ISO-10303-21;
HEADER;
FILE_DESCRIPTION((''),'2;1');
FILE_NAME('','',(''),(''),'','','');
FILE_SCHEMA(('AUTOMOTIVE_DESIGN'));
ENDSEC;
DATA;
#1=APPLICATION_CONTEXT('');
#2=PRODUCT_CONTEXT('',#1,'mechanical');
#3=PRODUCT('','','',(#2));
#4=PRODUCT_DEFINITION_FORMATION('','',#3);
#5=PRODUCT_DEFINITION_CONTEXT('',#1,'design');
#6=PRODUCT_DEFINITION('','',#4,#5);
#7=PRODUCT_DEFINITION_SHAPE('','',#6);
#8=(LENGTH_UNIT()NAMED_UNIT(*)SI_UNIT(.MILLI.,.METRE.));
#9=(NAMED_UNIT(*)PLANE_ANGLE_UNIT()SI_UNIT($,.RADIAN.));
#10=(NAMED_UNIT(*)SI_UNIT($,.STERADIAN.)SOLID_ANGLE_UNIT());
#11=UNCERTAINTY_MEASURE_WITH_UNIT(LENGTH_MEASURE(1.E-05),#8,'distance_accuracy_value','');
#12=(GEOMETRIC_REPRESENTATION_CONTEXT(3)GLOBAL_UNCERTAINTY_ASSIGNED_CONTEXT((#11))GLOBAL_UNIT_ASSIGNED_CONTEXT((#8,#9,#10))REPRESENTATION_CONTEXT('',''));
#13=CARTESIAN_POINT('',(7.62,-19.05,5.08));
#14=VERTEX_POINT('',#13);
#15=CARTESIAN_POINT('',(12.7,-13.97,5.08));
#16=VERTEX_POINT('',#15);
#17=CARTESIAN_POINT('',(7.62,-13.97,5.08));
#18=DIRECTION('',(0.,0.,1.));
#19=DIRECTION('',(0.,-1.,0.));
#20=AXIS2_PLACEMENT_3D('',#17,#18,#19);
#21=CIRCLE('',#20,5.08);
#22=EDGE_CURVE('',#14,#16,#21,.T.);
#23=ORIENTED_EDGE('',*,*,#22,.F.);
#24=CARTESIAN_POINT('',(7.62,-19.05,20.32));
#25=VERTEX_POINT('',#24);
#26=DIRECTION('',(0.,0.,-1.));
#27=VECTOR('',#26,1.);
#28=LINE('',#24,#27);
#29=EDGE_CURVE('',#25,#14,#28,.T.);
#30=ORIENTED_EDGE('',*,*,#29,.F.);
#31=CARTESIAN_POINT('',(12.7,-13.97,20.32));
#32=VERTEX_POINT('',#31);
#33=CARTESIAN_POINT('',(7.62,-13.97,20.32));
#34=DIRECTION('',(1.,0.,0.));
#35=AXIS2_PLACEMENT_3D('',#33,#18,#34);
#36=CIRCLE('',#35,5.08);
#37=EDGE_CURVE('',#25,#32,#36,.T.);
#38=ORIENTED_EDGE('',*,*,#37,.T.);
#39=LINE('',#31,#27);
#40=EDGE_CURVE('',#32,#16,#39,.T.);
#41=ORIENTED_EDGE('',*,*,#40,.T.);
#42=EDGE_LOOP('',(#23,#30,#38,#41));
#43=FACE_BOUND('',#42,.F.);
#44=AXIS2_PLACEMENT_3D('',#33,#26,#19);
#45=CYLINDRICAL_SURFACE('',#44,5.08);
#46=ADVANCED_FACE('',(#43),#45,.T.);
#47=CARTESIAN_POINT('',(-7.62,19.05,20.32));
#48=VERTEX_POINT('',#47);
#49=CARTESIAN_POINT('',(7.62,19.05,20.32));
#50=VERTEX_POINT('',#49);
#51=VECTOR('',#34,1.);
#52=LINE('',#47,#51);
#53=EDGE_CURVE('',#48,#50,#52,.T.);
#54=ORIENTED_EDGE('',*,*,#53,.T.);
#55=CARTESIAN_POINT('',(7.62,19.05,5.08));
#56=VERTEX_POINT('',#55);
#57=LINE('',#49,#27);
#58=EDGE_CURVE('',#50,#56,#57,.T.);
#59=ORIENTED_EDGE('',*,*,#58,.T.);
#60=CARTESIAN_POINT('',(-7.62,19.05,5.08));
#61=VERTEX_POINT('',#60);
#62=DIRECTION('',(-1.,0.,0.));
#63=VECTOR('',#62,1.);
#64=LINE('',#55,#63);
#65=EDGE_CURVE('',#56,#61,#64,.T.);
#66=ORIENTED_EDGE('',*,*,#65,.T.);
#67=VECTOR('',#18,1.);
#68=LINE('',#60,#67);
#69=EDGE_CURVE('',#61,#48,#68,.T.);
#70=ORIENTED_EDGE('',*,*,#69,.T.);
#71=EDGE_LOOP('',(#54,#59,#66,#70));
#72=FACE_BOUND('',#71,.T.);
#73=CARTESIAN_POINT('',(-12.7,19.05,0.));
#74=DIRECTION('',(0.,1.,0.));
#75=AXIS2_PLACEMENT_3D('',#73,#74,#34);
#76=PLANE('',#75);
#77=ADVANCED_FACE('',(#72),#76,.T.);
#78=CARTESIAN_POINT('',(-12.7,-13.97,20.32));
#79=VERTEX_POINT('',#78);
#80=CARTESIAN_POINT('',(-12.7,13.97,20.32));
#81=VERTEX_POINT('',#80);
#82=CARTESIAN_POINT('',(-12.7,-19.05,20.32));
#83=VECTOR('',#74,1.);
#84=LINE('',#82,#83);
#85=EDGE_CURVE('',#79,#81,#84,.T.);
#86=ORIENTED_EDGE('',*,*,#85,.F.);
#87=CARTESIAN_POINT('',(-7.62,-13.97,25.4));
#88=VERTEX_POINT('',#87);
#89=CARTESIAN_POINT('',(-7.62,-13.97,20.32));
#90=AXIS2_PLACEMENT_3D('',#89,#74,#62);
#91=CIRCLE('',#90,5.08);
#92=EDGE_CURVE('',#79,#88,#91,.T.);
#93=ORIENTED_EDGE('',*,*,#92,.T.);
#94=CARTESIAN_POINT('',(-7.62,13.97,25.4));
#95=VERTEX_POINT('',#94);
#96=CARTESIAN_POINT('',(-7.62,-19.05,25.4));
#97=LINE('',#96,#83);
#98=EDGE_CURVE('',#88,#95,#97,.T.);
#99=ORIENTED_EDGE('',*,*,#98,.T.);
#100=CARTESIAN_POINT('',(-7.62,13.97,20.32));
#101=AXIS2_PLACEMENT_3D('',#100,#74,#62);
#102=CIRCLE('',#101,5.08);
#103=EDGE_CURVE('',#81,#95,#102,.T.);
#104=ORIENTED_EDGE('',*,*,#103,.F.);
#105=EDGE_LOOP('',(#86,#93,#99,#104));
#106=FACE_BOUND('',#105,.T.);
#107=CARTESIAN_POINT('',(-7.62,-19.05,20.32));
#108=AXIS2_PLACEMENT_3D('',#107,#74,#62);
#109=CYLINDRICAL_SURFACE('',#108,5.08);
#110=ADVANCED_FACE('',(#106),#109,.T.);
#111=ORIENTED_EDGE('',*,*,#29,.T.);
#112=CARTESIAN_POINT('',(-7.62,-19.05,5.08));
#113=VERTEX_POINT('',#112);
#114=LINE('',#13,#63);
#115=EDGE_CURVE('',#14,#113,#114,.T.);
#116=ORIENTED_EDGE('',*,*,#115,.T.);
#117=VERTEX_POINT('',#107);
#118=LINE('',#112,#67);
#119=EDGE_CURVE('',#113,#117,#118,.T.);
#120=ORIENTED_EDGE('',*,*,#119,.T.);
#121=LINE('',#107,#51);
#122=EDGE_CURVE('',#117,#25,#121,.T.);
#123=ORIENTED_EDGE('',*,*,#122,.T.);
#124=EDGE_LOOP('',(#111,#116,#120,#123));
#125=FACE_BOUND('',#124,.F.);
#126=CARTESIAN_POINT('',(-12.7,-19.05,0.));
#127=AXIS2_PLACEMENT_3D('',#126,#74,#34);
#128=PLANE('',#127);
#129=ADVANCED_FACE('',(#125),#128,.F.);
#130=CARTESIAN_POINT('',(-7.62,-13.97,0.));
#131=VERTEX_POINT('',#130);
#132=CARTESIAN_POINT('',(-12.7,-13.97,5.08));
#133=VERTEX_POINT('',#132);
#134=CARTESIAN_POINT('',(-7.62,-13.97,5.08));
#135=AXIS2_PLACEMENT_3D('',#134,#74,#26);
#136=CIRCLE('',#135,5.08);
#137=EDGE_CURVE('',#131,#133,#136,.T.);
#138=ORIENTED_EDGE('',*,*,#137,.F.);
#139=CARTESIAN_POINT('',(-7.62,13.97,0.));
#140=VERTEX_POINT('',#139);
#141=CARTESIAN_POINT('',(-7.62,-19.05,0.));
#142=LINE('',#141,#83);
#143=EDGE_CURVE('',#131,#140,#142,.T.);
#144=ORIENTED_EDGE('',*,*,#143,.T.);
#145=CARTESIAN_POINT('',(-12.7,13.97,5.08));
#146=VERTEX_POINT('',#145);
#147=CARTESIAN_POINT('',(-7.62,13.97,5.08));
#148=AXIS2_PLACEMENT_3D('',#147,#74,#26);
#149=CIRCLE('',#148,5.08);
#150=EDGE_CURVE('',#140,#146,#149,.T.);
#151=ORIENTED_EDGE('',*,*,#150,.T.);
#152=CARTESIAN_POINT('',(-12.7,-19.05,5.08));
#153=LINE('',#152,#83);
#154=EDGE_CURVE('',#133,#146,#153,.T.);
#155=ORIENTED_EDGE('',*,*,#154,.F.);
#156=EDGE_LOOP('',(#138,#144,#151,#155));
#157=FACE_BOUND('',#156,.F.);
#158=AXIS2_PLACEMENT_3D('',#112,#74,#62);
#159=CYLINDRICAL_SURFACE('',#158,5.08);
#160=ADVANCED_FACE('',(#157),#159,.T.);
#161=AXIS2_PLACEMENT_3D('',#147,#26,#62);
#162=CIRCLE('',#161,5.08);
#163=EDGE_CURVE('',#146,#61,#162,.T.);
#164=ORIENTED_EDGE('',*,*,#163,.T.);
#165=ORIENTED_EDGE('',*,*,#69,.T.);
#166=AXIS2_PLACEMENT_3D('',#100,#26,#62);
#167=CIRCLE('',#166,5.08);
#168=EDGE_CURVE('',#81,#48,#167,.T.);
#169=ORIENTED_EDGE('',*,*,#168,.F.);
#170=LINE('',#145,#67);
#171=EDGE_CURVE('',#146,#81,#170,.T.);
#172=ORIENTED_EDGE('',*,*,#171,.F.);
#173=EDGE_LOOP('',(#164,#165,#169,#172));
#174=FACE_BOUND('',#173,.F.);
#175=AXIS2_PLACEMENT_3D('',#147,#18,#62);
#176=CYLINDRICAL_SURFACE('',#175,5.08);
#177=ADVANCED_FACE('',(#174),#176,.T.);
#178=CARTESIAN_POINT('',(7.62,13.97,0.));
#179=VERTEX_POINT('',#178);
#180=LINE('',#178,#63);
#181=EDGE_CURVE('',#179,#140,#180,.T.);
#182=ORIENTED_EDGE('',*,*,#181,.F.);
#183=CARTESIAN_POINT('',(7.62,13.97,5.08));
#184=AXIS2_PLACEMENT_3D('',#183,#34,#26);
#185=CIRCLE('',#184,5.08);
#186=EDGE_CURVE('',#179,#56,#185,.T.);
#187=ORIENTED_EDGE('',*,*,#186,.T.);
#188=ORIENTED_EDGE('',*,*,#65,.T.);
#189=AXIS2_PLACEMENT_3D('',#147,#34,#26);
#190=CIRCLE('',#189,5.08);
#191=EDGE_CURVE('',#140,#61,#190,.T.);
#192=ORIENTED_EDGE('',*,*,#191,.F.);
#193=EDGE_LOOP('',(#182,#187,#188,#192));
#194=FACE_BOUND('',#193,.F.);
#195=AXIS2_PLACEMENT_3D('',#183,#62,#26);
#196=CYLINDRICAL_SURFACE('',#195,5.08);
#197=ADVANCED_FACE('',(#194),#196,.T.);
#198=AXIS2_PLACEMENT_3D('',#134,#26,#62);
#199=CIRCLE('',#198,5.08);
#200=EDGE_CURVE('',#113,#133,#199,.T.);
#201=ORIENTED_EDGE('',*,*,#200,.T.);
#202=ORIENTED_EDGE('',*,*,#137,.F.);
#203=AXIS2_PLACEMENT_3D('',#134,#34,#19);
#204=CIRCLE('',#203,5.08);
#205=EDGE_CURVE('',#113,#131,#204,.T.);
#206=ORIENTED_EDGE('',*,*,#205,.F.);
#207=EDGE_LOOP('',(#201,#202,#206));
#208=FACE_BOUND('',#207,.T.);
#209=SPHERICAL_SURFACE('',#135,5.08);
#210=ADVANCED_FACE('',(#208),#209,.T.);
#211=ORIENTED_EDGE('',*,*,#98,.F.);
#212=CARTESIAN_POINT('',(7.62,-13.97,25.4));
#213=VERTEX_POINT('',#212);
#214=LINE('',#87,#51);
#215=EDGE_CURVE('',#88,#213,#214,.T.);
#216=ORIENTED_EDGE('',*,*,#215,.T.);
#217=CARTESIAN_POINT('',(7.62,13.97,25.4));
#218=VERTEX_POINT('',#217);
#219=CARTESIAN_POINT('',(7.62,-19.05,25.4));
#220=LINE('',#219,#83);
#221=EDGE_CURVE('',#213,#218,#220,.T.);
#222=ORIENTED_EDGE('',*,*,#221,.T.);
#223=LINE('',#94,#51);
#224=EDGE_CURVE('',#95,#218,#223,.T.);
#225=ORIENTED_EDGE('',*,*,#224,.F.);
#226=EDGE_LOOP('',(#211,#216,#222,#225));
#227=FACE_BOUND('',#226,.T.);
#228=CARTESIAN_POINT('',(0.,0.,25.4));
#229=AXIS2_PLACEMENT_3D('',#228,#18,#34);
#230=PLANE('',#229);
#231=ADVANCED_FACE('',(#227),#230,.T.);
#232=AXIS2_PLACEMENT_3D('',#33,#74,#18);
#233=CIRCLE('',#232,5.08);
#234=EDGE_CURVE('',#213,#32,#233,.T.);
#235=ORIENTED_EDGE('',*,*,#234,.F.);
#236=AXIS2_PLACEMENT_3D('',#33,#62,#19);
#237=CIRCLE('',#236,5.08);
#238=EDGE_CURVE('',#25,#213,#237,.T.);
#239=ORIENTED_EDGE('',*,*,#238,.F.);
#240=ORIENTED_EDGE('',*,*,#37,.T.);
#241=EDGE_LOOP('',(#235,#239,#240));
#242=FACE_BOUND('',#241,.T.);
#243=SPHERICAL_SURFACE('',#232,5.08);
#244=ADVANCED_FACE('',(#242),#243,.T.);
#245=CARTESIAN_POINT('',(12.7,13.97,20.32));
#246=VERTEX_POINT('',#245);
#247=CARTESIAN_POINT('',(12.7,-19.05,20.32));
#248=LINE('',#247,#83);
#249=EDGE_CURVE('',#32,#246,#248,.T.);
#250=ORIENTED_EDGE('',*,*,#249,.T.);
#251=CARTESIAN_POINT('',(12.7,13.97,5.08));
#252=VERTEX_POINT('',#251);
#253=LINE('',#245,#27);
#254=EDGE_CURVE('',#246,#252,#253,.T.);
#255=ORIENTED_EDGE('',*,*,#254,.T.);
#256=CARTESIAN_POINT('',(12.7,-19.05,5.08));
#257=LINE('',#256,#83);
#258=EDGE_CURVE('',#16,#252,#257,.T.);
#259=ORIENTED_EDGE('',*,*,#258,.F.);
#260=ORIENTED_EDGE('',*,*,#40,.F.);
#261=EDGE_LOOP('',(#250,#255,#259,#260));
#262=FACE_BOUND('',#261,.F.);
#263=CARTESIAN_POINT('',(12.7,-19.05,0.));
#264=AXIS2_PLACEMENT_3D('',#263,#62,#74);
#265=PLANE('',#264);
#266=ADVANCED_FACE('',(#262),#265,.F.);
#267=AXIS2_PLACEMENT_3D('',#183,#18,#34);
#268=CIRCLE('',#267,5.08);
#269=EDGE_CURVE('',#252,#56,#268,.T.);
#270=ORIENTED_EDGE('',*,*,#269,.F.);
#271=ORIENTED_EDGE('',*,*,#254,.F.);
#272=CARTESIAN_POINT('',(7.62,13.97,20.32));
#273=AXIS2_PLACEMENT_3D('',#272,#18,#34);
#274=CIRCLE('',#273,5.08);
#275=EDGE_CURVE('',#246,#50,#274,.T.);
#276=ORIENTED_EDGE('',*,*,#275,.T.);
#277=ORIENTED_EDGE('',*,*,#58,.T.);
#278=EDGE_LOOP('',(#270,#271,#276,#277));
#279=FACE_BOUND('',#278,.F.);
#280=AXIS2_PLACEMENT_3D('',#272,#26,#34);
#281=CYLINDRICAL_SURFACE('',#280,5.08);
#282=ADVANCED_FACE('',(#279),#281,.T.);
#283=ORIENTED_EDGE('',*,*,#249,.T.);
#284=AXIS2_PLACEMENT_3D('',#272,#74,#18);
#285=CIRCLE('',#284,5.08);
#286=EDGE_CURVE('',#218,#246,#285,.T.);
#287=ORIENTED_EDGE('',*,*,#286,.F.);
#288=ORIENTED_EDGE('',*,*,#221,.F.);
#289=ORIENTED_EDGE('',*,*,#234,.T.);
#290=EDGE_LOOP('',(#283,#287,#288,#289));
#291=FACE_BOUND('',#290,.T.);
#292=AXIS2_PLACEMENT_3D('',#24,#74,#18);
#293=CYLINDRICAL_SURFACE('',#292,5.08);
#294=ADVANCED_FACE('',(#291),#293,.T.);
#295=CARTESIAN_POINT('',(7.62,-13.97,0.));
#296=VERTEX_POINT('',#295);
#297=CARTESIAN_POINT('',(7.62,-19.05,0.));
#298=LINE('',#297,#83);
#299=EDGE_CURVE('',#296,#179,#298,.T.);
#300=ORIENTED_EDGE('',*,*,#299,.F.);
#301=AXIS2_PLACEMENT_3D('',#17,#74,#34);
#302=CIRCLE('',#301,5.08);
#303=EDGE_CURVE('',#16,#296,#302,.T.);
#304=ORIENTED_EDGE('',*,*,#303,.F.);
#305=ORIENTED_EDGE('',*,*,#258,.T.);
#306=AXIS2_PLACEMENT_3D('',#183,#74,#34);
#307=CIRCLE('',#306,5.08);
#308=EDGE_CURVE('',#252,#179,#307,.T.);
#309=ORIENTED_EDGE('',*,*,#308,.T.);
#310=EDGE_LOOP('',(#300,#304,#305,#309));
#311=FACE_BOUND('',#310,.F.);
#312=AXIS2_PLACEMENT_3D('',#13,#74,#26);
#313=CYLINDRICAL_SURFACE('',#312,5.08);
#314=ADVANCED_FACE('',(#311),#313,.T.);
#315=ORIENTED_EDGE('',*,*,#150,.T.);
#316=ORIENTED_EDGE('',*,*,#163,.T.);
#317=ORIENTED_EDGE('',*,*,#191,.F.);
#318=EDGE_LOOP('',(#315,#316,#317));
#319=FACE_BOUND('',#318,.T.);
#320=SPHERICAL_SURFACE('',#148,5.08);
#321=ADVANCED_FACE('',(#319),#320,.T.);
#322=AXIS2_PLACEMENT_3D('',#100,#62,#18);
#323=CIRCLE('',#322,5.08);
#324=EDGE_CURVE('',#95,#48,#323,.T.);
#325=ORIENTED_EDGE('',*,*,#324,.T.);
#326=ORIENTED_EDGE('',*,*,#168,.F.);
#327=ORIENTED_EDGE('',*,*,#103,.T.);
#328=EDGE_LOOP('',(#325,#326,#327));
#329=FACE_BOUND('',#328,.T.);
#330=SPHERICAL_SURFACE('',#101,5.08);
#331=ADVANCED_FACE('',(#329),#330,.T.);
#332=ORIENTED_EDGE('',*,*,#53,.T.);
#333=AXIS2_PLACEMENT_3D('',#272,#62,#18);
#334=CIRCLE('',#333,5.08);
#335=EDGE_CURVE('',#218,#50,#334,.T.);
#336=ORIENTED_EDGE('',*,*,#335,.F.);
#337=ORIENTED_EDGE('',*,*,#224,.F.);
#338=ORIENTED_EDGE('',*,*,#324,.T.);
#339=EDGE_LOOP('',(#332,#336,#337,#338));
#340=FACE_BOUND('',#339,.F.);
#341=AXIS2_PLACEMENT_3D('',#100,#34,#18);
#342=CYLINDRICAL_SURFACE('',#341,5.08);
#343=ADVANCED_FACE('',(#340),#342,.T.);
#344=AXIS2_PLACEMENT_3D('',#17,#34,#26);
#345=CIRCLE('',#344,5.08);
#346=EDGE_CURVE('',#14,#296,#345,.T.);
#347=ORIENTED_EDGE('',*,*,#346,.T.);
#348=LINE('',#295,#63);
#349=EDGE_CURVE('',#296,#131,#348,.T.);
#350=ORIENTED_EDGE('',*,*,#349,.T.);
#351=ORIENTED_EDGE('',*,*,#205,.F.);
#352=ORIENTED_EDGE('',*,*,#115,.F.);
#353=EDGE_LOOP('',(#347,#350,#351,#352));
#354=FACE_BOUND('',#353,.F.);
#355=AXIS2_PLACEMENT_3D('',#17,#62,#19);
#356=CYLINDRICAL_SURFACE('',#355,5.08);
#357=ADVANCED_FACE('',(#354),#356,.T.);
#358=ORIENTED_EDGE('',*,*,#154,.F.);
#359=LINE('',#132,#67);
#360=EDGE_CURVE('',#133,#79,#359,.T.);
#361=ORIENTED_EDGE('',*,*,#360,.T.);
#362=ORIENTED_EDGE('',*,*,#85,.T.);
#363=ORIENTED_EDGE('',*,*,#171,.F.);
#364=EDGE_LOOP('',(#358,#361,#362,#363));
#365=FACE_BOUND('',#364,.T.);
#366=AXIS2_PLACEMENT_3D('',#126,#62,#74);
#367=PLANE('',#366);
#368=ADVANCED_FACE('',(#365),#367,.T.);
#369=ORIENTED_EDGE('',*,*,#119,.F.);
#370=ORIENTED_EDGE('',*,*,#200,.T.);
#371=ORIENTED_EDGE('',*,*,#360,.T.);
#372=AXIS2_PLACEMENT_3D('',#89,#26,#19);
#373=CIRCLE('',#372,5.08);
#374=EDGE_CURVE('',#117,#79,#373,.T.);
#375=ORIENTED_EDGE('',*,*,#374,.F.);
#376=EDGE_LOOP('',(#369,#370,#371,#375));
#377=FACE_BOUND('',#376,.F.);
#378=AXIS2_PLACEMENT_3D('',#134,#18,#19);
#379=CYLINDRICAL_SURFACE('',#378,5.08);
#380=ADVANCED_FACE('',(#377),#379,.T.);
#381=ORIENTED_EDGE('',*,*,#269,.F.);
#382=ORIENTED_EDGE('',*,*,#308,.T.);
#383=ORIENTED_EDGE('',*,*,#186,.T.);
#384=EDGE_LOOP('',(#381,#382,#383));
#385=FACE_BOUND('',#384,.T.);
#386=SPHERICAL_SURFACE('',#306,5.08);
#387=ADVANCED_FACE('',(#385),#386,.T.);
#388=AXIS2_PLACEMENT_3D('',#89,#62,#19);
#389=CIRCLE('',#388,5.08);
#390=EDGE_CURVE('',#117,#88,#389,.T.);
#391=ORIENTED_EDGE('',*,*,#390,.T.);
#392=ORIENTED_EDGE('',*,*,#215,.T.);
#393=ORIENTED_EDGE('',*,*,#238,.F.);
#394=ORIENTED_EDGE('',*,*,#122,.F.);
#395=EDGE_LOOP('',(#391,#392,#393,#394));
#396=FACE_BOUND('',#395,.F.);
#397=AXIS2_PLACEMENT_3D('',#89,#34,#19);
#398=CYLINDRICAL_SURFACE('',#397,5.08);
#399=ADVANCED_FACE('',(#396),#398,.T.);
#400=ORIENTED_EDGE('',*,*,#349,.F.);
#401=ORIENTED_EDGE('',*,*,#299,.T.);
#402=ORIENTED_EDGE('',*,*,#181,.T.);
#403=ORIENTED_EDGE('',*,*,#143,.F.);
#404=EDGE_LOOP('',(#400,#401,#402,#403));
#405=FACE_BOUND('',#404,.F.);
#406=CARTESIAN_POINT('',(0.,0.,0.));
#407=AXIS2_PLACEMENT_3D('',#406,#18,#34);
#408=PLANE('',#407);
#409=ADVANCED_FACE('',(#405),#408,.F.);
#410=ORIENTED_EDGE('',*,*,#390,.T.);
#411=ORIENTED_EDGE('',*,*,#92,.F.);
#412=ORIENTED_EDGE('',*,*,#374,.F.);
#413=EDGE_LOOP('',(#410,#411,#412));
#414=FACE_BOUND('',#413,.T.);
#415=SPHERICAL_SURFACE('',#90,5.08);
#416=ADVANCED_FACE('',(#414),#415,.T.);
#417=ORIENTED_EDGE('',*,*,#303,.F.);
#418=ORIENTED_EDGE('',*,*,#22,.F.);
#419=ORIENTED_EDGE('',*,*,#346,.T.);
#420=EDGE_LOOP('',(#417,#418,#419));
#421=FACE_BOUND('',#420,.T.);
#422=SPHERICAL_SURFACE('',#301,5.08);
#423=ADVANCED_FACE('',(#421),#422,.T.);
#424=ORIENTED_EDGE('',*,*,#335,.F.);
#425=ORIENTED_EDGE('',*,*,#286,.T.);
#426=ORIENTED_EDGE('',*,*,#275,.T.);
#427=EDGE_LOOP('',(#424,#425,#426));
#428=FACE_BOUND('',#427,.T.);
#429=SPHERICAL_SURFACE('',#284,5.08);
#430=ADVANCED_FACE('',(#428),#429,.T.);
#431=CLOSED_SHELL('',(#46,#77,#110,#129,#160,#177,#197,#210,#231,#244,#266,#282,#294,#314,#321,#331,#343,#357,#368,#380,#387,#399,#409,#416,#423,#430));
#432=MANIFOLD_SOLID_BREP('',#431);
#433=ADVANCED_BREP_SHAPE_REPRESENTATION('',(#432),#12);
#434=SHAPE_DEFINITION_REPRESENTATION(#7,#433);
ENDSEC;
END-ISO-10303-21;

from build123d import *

# Parameters (mm, degrees)
F0_W     = 25.4
F0_H     = 38.1
F1_DEPTH = 25.4
F2_DEPTH = 25.4
F3_R     = 5.08
F4_R     = 5.08


with BuildPart() as f1:
    # F0 (on Top) → F1 (new body)
    with BuildSketch(Plane.XY):
        Rectangle(F0_W, F0_H)
    extrude(amount=F1_DEPTH)

    # F0 (on Top) → F2 (join)
    with BuildSketch(Plane.XY):
        Rectangle(F0_W, F0_H)
    extrude(amount=F2_DEPTH)

    # F3
    f3_edges = [f1.edges().sort_by_distance(p)[0] for p in [
        (-12.7, 0, 25.4),
        (12.7, 0, 25.4),
        (-12.7, 0, 0),
        (12.7, 0, 0),
    ]]
    fillet(f3_edges, radius=F3_R)

    # F4
    f4_edges = [f1.edges().sort_by_distance(p)[0] for p in [
        (0, -19.05, 25.4),
        (-12.7, -19.05, 12.7),
        (12.7, -19.05, 12.7),
        (-12.7, 19.05, 12.7),
        (12.7, 19.05, 12.7),
    ]]
    fillet(f4_edges, radius=F4_R)


solid = f1.part
